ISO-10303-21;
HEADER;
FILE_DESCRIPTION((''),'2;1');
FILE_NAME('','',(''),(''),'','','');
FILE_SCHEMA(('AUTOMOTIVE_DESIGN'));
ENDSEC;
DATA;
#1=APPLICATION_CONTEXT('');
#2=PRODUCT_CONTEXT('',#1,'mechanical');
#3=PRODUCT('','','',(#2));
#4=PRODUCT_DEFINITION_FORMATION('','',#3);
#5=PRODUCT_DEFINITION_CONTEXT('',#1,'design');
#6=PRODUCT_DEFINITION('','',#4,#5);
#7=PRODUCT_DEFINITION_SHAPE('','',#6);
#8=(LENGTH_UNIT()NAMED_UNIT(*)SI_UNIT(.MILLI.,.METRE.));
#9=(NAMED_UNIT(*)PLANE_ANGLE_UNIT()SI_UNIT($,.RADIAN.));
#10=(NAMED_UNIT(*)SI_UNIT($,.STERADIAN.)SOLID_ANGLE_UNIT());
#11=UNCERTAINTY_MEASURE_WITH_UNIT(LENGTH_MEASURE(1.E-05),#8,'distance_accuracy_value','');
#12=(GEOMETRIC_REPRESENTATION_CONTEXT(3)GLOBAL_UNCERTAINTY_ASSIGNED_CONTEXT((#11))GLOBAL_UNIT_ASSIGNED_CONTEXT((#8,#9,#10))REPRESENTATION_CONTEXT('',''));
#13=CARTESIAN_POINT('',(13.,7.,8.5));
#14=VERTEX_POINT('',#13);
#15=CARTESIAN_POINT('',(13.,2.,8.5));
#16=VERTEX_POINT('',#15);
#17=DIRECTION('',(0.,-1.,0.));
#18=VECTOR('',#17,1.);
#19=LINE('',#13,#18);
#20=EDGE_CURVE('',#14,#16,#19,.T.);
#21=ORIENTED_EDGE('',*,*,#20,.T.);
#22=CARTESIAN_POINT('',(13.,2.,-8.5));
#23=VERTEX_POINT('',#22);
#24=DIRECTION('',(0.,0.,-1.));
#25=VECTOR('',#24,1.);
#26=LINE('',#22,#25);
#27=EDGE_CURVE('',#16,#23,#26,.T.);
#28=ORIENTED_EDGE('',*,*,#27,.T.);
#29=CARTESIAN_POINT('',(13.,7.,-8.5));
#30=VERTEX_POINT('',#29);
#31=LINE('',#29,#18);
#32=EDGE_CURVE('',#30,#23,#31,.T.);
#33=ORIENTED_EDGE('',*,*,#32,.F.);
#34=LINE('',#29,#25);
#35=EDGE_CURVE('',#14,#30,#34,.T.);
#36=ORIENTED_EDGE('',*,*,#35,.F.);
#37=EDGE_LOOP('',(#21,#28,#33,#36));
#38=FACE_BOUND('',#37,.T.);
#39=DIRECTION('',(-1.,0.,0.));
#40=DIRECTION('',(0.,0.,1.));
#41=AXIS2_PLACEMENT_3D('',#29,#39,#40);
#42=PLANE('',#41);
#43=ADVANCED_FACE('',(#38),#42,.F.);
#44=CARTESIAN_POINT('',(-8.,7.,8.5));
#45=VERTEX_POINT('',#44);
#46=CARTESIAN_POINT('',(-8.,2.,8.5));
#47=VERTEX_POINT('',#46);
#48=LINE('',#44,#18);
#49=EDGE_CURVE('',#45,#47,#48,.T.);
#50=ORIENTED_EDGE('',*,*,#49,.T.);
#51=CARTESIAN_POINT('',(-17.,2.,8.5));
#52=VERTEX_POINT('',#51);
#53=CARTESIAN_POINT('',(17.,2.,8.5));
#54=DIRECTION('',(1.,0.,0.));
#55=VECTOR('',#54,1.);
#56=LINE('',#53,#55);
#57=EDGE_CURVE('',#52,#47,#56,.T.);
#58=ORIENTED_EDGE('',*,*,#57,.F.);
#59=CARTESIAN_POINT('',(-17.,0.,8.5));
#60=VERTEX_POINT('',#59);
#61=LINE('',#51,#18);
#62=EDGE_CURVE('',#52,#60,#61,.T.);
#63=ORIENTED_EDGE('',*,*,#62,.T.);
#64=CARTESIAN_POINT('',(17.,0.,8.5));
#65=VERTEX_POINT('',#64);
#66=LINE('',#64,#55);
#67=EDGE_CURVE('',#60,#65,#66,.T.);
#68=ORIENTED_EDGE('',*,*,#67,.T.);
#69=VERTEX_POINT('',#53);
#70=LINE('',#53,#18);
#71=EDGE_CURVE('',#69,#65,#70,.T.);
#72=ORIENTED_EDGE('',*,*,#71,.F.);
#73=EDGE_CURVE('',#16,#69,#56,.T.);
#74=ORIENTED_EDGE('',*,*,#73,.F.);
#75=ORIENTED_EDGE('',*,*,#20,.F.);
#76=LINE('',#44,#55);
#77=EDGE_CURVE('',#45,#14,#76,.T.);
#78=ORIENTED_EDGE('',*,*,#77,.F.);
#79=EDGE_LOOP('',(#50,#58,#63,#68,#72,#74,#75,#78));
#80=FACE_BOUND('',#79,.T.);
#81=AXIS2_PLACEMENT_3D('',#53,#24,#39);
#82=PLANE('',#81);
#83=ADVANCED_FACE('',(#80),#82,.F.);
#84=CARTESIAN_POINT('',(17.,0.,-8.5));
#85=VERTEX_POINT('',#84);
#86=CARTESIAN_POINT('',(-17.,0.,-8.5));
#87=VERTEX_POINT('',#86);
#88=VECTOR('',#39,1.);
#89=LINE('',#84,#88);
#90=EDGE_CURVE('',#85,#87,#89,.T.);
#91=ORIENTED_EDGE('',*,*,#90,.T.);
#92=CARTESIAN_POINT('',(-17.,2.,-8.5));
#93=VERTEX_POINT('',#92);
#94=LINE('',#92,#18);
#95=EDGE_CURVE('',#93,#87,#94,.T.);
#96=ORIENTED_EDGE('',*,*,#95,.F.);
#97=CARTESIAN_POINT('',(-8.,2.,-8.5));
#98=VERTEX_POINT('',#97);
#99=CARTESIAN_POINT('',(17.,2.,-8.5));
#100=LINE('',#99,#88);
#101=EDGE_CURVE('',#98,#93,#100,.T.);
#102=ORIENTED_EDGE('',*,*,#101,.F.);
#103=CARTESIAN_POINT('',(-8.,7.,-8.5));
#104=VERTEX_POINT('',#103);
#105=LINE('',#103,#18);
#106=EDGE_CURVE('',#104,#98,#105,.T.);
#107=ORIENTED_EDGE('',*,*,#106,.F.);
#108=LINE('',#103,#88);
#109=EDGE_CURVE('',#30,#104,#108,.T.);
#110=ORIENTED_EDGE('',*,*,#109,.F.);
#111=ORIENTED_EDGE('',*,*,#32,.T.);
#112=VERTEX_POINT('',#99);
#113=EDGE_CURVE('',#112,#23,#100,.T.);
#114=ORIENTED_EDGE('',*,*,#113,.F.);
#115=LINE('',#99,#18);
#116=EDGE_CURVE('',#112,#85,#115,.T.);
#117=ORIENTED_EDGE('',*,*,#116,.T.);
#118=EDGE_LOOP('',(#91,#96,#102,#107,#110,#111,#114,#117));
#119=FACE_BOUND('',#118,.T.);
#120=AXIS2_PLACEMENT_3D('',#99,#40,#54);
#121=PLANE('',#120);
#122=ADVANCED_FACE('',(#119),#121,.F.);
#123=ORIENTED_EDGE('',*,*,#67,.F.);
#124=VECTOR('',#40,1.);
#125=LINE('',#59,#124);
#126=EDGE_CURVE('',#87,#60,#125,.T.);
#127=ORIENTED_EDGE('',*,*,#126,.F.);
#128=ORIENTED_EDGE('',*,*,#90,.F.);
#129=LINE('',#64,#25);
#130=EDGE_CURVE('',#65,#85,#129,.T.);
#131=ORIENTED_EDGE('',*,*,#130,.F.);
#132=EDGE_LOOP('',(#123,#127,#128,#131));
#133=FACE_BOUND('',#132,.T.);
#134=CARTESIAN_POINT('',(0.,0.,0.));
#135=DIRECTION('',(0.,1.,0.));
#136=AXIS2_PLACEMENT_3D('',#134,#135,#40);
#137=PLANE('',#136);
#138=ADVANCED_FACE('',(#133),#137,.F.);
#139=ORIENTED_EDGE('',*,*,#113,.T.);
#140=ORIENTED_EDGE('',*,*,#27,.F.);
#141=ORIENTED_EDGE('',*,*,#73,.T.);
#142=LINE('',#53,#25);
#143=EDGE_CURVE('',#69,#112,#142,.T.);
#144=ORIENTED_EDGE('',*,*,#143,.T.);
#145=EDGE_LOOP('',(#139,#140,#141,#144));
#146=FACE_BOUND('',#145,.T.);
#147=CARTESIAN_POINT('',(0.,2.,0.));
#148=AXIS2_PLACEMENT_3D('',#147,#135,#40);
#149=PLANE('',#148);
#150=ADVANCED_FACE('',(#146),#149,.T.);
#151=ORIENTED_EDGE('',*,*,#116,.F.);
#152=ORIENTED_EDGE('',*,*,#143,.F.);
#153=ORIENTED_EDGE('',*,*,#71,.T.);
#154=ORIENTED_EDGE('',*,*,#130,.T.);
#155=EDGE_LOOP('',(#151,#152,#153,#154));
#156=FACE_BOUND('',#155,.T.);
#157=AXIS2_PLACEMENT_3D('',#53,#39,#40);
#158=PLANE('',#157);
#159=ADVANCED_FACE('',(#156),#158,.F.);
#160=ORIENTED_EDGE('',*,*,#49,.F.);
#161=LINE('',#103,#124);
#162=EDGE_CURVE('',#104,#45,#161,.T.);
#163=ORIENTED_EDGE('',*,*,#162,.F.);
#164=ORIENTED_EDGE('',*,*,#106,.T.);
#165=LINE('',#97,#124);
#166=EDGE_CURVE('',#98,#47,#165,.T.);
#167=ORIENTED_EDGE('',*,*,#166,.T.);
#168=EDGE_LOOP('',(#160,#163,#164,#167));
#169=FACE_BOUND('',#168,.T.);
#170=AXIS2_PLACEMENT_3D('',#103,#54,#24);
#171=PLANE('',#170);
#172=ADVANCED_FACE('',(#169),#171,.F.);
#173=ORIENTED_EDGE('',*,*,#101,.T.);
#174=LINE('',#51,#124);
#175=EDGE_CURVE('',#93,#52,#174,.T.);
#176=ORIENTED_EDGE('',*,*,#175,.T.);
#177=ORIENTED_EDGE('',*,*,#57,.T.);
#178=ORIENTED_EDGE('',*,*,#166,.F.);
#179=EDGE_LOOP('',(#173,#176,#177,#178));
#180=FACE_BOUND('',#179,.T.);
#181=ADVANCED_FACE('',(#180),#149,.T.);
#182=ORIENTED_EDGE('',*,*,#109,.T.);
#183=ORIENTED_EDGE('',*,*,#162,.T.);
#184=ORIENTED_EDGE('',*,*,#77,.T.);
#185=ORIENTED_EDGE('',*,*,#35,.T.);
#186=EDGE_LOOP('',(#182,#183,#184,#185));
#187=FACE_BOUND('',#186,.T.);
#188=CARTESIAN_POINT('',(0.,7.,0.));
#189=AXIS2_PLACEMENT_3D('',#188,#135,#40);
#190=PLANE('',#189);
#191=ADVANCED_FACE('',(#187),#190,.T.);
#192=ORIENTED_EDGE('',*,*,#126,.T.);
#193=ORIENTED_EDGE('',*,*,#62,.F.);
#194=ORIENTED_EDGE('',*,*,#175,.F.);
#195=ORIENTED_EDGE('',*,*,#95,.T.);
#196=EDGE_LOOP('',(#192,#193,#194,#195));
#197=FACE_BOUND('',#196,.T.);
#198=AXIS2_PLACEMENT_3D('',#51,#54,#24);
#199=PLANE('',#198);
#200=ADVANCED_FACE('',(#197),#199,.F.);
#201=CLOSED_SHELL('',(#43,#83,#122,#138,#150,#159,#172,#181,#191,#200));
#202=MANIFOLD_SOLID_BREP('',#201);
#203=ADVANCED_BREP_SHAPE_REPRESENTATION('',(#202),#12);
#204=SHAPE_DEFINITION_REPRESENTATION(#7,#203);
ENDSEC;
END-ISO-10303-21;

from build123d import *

# Parameters (mm, degrees)
SKETCH1_W           = 34
SKETCH1_H           = 17
BOSS_EXTRUDE1_DEPTH = 2
SKETCH3_W           = 21
SKETCH3_H           = 17
BOSS_EXTRUDE3_DEPTH = 5


with BuildPart() as part:
    # Sketch1 → Boss-Extrude1 (new body)
    with BuildSketch(Plane(origin=(0, 0, 0), x_dir=(1, 0, 0), z_dir=(0, 1, 0))):
        Rectangle(SKETCH1_W, SKETCH1_H)
    extrude(amount=BOSS_EXTRUDE1_DEPTH)

    # Sketch3 → Boss-Extrude3 (add)
    with BuildSketch(Plane(origin=(0, 2, 0), x_dir=(1, 0, 0), z_dir=(0, 1, 0))):
        with Locations((2.5, 0)):
            Rectangle(SKETCH3_W, SKETCH3_H)
    extrude(amount=BOSS_EXTRUDE3_DEPTH)


solid = part.part
